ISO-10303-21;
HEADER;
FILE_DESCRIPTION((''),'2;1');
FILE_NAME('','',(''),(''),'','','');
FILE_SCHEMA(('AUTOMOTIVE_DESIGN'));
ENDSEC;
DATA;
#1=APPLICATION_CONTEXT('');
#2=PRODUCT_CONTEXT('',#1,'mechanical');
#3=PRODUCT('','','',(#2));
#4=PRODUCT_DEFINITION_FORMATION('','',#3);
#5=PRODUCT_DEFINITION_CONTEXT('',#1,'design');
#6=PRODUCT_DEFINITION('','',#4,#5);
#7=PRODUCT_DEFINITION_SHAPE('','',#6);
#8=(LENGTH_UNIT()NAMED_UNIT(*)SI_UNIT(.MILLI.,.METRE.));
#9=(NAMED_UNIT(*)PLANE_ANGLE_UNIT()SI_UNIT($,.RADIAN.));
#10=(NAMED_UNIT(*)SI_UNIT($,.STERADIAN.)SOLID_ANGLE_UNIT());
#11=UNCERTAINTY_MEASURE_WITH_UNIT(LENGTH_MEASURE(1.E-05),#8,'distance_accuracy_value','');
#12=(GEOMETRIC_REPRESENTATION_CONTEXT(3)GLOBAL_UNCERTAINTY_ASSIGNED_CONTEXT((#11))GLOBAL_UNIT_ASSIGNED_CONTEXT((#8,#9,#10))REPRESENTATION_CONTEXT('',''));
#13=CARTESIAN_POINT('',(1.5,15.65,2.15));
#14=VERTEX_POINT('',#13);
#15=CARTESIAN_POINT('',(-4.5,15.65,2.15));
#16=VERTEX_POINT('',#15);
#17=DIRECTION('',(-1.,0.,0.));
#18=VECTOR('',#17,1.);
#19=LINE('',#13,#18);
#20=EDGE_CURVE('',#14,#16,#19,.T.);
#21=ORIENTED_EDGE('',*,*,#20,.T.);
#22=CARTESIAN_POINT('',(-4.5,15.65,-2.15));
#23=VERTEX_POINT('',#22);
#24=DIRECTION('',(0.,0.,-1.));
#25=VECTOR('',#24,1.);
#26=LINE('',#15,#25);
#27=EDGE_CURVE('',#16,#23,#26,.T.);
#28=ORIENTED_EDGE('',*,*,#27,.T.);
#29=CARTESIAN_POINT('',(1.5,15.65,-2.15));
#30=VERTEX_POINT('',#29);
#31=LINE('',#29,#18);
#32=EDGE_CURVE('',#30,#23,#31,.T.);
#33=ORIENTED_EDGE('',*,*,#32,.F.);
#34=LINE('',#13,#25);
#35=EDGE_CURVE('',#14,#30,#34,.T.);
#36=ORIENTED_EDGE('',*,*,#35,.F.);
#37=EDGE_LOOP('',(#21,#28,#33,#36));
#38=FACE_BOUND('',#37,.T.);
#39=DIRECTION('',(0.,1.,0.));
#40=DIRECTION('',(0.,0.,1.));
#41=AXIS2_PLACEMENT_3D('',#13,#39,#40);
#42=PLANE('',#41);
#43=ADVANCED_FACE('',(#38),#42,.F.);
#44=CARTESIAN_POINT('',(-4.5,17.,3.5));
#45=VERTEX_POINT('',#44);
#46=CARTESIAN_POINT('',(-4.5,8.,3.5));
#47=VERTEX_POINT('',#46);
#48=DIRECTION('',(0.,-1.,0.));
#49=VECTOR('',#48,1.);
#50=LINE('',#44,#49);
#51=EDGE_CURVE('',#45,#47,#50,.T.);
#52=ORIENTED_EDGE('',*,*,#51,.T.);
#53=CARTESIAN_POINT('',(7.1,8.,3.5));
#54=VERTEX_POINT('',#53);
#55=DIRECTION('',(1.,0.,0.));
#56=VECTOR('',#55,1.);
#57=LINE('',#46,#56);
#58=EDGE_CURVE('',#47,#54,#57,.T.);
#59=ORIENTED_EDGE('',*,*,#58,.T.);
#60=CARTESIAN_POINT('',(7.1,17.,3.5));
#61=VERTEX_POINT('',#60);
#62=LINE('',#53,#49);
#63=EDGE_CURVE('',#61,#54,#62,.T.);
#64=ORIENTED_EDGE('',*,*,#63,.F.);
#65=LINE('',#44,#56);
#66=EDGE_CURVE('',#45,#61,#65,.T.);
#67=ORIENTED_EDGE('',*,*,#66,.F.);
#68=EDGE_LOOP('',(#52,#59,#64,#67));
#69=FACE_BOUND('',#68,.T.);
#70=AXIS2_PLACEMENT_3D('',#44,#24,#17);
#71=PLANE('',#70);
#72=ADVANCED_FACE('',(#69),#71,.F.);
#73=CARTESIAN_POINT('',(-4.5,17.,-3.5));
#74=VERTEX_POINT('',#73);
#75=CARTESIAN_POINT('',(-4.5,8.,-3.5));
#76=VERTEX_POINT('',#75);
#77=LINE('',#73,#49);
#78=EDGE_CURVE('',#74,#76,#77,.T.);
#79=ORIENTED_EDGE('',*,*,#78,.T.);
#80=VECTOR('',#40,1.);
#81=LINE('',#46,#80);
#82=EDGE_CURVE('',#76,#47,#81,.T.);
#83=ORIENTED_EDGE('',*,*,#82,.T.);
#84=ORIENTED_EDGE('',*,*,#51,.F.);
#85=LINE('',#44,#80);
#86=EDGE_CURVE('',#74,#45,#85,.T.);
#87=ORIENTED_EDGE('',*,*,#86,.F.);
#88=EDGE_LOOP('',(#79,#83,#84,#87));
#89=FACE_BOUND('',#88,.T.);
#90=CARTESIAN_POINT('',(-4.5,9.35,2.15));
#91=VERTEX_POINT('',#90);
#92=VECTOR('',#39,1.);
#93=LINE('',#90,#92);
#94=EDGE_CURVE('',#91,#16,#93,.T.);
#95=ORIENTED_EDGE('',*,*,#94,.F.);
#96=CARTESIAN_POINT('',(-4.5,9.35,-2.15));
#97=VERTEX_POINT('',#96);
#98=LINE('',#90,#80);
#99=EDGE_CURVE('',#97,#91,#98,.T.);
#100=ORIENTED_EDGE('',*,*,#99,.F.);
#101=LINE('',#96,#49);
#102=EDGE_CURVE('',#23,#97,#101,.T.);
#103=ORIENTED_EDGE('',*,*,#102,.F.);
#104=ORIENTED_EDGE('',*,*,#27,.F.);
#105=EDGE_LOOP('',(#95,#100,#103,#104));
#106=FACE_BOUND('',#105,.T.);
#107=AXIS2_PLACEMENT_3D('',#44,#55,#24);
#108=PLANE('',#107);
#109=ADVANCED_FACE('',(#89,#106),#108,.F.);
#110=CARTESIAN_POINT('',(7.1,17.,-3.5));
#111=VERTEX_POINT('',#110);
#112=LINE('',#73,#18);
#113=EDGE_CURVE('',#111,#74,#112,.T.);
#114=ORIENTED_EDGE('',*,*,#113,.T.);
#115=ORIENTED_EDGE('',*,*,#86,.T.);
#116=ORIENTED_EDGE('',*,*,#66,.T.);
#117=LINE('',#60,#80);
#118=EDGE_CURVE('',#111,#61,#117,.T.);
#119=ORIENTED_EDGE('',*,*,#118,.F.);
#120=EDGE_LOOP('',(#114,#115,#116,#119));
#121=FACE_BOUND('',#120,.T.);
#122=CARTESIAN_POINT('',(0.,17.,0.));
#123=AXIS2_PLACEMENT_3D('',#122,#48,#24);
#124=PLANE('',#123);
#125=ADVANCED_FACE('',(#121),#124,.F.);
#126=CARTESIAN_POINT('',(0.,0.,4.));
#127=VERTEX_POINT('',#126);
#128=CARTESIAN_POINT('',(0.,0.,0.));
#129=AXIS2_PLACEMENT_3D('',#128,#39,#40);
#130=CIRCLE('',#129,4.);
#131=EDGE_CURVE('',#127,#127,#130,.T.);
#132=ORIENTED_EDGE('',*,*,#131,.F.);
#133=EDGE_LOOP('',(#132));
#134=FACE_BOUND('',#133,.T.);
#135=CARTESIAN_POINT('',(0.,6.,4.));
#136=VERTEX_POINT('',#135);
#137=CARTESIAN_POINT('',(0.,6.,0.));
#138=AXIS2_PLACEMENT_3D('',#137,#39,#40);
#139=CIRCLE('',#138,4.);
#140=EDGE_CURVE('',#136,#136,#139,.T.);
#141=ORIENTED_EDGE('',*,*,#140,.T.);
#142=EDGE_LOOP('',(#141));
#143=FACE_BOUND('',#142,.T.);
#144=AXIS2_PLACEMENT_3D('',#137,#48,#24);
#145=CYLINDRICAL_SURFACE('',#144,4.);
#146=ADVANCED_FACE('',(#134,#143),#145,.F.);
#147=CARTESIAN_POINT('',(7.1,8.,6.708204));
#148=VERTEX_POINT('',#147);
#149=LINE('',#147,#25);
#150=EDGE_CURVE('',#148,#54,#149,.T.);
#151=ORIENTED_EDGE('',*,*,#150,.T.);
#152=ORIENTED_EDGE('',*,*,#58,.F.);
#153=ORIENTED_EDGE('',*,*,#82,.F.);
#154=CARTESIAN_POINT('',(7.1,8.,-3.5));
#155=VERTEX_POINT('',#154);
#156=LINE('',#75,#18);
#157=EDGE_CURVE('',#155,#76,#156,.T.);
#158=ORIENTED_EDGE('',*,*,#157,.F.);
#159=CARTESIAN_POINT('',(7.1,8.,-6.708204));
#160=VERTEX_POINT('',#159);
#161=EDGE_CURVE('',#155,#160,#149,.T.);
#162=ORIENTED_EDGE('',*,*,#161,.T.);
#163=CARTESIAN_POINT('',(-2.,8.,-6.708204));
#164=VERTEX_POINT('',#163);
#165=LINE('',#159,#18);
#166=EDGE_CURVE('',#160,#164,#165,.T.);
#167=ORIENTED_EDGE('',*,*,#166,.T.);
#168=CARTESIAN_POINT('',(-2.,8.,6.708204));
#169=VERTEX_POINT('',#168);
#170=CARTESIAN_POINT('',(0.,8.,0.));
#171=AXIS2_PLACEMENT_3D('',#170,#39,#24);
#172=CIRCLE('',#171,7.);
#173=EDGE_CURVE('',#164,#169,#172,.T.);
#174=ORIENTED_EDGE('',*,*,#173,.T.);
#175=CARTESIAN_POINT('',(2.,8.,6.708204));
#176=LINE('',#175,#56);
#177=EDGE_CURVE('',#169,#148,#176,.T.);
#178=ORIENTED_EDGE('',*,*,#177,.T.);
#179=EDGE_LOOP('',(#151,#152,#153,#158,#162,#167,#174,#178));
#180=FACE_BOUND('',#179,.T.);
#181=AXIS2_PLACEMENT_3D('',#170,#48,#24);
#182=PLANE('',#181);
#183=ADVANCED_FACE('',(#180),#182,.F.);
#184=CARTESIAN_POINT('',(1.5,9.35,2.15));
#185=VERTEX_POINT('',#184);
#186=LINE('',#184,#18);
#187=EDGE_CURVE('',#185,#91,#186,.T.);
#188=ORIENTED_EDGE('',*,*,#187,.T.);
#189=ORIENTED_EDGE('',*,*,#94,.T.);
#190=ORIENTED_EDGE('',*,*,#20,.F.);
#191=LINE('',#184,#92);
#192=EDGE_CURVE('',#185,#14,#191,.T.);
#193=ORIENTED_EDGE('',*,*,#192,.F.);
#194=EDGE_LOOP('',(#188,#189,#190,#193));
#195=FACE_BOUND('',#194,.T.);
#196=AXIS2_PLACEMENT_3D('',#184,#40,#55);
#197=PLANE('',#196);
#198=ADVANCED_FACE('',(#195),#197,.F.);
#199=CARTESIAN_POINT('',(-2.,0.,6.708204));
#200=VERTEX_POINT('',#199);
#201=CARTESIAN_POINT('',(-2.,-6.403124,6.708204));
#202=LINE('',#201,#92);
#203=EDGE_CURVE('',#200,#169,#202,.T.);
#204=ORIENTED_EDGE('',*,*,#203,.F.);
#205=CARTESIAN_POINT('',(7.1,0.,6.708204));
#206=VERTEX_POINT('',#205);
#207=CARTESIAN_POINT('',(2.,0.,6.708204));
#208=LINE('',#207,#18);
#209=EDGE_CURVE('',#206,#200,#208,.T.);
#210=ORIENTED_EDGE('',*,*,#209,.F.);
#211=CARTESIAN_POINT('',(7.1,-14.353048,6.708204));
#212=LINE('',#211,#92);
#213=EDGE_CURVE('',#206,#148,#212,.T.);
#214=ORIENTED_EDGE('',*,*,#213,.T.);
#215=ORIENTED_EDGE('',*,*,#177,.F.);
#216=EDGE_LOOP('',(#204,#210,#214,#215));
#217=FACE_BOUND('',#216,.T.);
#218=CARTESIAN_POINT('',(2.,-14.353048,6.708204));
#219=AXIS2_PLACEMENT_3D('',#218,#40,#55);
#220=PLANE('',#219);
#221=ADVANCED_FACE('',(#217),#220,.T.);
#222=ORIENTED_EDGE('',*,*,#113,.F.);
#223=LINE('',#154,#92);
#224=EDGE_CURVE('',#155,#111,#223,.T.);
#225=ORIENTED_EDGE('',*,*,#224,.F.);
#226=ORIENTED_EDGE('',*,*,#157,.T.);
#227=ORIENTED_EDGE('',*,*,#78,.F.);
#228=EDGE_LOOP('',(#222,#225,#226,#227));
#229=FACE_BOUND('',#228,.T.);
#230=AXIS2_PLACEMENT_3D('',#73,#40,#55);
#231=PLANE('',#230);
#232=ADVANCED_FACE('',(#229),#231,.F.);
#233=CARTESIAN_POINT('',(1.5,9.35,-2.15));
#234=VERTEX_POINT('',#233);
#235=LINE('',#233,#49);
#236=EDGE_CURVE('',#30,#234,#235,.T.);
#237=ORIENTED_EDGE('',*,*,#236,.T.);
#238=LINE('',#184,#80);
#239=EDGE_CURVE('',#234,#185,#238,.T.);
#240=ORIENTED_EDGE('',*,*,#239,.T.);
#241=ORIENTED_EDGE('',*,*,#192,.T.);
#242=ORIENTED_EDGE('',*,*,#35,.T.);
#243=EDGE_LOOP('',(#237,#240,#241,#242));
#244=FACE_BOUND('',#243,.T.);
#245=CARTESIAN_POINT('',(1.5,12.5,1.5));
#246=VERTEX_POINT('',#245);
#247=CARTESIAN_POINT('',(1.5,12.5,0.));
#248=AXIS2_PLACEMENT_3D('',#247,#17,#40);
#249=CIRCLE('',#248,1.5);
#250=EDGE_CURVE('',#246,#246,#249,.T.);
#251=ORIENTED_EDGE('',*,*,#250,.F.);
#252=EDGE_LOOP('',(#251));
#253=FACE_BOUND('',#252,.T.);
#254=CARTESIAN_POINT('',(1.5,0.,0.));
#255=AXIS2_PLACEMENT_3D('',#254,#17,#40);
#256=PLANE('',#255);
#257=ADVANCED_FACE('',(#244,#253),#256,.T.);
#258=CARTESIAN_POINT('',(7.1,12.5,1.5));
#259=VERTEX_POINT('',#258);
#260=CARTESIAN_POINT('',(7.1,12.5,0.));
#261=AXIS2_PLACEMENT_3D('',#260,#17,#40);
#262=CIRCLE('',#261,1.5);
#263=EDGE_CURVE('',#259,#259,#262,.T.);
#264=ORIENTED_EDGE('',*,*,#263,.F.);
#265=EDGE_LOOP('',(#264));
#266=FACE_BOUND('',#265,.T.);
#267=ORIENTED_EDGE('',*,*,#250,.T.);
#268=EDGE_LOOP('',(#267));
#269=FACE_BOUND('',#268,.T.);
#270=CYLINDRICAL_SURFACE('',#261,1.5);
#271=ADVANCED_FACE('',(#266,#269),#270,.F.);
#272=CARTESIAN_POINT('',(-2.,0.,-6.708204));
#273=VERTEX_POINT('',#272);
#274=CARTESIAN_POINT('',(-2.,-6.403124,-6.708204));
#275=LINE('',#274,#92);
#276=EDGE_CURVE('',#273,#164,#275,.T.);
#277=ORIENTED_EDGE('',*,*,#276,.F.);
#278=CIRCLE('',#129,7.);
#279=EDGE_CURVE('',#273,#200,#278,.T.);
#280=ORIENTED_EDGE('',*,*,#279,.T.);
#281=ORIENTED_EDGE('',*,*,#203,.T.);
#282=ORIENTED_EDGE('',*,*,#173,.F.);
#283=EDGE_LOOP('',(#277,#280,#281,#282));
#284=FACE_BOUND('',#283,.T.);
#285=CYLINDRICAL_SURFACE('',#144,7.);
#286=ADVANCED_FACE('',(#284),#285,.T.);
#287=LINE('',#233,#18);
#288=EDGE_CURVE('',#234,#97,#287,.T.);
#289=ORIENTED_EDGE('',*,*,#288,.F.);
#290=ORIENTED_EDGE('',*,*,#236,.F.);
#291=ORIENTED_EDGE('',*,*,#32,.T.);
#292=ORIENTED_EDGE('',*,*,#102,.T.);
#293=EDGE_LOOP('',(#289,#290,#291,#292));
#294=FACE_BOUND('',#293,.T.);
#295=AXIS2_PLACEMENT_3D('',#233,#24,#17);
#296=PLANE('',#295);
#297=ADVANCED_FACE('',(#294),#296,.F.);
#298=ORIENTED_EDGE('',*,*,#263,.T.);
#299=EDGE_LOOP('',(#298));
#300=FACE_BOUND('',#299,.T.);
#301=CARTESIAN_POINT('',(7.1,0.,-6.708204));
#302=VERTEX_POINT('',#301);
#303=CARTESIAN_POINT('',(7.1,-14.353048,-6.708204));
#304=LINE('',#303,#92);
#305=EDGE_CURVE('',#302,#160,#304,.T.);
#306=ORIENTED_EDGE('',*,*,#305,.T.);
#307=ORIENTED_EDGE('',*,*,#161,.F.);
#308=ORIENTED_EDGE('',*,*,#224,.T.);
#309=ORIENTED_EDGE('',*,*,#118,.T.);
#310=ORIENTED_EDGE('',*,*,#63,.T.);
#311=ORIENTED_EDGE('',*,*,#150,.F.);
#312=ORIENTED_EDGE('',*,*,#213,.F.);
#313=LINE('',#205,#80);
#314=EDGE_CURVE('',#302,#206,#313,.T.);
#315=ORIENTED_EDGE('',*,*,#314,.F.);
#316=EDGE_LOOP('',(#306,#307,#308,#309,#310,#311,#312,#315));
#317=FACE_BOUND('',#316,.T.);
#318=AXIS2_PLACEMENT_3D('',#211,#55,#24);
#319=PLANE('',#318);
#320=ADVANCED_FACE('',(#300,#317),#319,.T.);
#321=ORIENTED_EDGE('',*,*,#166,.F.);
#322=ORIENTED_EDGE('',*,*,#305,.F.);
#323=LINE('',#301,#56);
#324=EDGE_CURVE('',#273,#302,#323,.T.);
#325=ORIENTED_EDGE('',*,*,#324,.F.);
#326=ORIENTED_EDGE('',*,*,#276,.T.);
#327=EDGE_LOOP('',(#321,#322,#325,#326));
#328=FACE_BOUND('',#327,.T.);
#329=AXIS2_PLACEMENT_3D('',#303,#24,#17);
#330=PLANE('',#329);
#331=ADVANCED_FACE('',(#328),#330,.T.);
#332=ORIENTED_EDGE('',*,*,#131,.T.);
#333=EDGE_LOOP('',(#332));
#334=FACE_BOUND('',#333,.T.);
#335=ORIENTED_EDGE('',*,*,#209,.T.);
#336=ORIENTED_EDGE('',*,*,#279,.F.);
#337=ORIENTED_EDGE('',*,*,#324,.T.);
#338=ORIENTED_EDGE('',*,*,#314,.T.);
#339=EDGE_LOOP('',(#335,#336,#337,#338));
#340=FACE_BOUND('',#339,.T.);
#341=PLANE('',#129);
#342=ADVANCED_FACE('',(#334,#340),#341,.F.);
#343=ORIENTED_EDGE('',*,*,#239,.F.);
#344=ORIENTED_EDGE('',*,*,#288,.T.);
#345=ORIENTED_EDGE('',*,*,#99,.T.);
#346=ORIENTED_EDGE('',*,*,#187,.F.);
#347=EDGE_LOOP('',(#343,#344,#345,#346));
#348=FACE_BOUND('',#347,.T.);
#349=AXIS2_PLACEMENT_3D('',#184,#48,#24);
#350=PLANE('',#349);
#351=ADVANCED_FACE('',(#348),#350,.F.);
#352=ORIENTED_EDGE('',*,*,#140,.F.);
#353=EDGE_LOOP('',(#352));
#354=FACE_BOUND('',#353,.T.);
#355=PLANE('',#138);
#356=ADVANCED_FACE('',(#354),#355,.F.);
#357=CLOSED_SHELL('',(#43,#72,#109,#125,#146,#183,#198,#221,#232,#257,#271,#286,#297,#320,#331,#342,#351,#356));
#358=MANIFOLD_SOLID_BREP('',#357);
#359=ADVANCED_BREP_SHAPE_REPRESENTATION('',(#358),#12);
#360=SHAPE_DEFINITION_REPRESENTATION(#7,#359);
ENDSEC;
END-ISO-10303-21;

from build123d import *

# Parameters (mm, degrees)
SKETCH1_R           = 7
SKETCH1_R_2         = 4
BOSS_EXTRUDE1_DEPTH = 6
SKETCH2_R           = 7
BOSS_EXTRUDE2_DEPTH = 10
CUT_EXTRUDE1_DEPTH  = 8
SKETCH4_W           = 4.3
SKETCH4_H           = 6.3
CUT_EXTRUDE2_DEPTH  = 6
SKETCH5_OUTSIDE_W   = 21.092
SKETCH5_OUTSIDE_H   = 21.092
CUT_EXTRUDE3_DEPTH  = 8
BOSS_EXTRUDE3_DEPTH = 8
SKETCH9_R           = 7
CUT_EXTRUDE6_DEPTH  = 8
SKETCH10_W          = 9
SKETCH10_H          = 7
BOSS_EXTRUDE5_DEPTH = 9
SKETCH11_W          = 4.3
SKETCH11_H          = 6.3
CUT_EXTRUDE7_DEPTH  = 6
BOSS_EXTRUDE6_DEPTH = 8
SKETCH14_W          = 7
SKETCH14_H          = 9
BOSS_EXTRUDE7_DEPTH = 2.6
SKETCH15_W          = 4
SKETCH15_H          = 5
CUT_EXTRUDE10_DEPTH = 9
SKETCH16_R          = 1.5
CUT_EXTRUDE11_DEPTH = 6.6


with BuildPart() as part:
    # Sketch1 → Boss-Extrude1 (new body)
    with BuildSketch(Plane(origin=(0, 0, 0), x_dir=(1, 0, 0), z_dir=(0, 1, 0))):
        with Locations(Location((0, 0, 0), (0, 0, 270))):  # turned: the seam where the file's is
            Circle(SKETCH1_R)
        with Locations(Location((0, 0, 0), (0, 0, 270))):  # turned: the seam where the file's is
            Circle(SKETCH1_R_2, mode=Mode.SUBTRACT)
    extrude(amount=BOSS_EXTRUDE1_DEPTH)

    # Sketch2 → Boss-Extrude2 (add)
    with BuildSketch(Plane(origin=(0, 6, 0), x_dir=(1, 0, 0), z_dir=(0, 1, 0))):
        with Locations(Location((0, 0, 0), (0, 0, 270))):  # turned: the seam where the file's is
            Circle(SKETCH2_R)
    extrude(amount=BOSS_EXTRUDE2_DEPTH)

    # Sketch3 → Cut-Extrude1 (cut)
    with BuildSketch(Plane(origin=(0, 16, 0), x_dir=(1, 0, 0), z_dir=(0, 1, 0))):
        with BuildLine():
            Line((0, 7), (0, -7))
            ThreePointArc((0, -7), (-7, 0), (0, 7))
        make_face()
    extrude(amount=-CUT_EXTRUDE1_DEPTH, mode=Mode.SUBTRACT)

    # Sketch4 → Cut-Extrude2 (cut)
    with BuildSketch(Plane.ZY):
        with Locations((0, 12.15)):
            Rectangle(SKETCH4_W, SKETCH4_H)
    extrude(amount=-CUT_EXTRUDE2_DEPTH, mode=Mode.SUBTRACT)

    # Sketch5 outside → Cut-Extrude3 (cut)
    with BuildSketch(Plane(origin=(0, 16, 0), x_dir=(1, 0, 0), z_dir=(0, 1, 0))):
        Rectangle(SKETCH5_OUTSIDE_W, SKETCH5_OUTSIDE_H)
        with BuildLine():
            Line((0, 4), (5.744562647, 4))
            ThreePointArc((5.744562647, 4), (7, 0), (5.744562647, -4))
            Line((5.744562647, -4), (0, -4))
            Line((0, -4), (0, 4))
        make_face(mode=Mode.SUBTRACT)
    extrude(amount=-CUT_EXTRUDE3_DEPTH, mode=Mode.SUBTRACT)

    # Sketch7 → Boss-Extrude3 (add)
    with BuildSketch(Plane(origin=(0, 8, 0), x_dir=(1, 0, 0), z_dir=(0, 1, 0))):
        with BuildLine():
            Line((2, 6.708203932), (2, 11.708203932))
            Line((2, 11.708203932), (-2, 11.708203932))
            Line((-2, 11.708203932), (-2, 6.708203932))
            ThreePointArc((-2, 6.708203932), (0, 7), (2, 6.708203932))
        make_face()
        with BuildLine():
            Line((2, -6.708203932), (2, -11.708203932))
            Line((2, -11.708203932), (-2, -11.708203932))
            Line((-2, -11.708203932), (-2, -6.708203932))
            ThreePointArc((-2, -6.708203932), (0, -7), (2, -6.708203932))
        make_face()
    extrude(amount=-BOSS_EXTRUDE3_DEPTH)

    # Sketch9 → Cut-Extrude6 (cut)
    with BuildSketch(Plane(origin=(0, 16, 0), x_dir=(1, 0, 0), z_dir=(0, 1, 0))):
        Circle(SKETCH9_R)
    extrude(amount=-CUT_EXTRUDE6_DEPTH, mode=Mode.SUBTRACT)

    # Sketch10 → Boss-Extrude5 (add)
    with BuildSketch(Plane(origin=(0, 8, 0), x_dir=(1, 0, 0), z_dir=(0, 1, 0))):
        Rectangle(SKETCH10_W, SKETCH10_H)
    extrude(amount=BOSS_EXTRUDE5_DEPTH)

    # Sketch11 → Cut-Extrude7 (cut)
    with BuildSketch(Plane.ZY.offset(4.5)):
        with Locations((0, 12.5)):
            Rectangle(SKETCH11_W, SKETCH11_H)
    extrude(amount=-CUT_EXTRUDE7_DEPTH, mode=Mode.SUBTRACT)

    # Sketch13 → Boss-Extrude6 (add)
    with BuildSketch(Plane(origin=(0, 8, 0), x_dir=(1, 0, 0), z_dir=(0, 1, 0))):
        with BuildLine():
            Line((2, -6.708203932), (7.1, -6.708203932))
            Line((7.1, -6.708203932), (7.1, 6.708203932))
            Line((7.1, 6.708203932), (2, 6.708203932))
            ThreePointArc((2, 6.708203932), (7, 0), (2, -6.708203932))
        make_face()
    extrude(amount=-BOSS_EXTRUDE6_DEPTH)

    # Sketch14 → Boss-Extrude7 (add)
    with BuildSketch(Plane(origin=(4.5, 0, 0), x_dir=(0, 0, -1), z_dir=(1, 0, 0))):
        with Locations((0, 12.5)):
            Rectangle(SKETCH14_W, SKETCH14_H)
    extrude(amount=BOSS_EXTRUDE7_DEPTH)

    # Sketch15 → Cut-Extrude10 (cut, through all)
    with BuildSketch(Plane(origin=(0, 8, 0), x_dir=(1, 0, 0), z_dir=(0, 1, 0))):
        with Locations((0, 9.208203932)):
            Rectangle(SKETCH15_W, SKETCH15_H)
        with Locations((0, -9.208203932)):
            Rectangle(SKETCH15_W, SKETCH15_H)
    extrude(amount=-CUT_EXTRUDE10_DEPTH, mode=Mode.SUBTRACT)

    # Sketch16 → Cut-Extrude11 (cut, through all)
    with BuildSketch(Plane.ZY.offset(-1.5)):
        with Locations((0, 12.5)):
            Circle(SKETCH16_R)
    extrude(amount=-CUT_EXTRUDE11_DEPTH, mode=Mode.SUBTRACT)


solid = part.part
